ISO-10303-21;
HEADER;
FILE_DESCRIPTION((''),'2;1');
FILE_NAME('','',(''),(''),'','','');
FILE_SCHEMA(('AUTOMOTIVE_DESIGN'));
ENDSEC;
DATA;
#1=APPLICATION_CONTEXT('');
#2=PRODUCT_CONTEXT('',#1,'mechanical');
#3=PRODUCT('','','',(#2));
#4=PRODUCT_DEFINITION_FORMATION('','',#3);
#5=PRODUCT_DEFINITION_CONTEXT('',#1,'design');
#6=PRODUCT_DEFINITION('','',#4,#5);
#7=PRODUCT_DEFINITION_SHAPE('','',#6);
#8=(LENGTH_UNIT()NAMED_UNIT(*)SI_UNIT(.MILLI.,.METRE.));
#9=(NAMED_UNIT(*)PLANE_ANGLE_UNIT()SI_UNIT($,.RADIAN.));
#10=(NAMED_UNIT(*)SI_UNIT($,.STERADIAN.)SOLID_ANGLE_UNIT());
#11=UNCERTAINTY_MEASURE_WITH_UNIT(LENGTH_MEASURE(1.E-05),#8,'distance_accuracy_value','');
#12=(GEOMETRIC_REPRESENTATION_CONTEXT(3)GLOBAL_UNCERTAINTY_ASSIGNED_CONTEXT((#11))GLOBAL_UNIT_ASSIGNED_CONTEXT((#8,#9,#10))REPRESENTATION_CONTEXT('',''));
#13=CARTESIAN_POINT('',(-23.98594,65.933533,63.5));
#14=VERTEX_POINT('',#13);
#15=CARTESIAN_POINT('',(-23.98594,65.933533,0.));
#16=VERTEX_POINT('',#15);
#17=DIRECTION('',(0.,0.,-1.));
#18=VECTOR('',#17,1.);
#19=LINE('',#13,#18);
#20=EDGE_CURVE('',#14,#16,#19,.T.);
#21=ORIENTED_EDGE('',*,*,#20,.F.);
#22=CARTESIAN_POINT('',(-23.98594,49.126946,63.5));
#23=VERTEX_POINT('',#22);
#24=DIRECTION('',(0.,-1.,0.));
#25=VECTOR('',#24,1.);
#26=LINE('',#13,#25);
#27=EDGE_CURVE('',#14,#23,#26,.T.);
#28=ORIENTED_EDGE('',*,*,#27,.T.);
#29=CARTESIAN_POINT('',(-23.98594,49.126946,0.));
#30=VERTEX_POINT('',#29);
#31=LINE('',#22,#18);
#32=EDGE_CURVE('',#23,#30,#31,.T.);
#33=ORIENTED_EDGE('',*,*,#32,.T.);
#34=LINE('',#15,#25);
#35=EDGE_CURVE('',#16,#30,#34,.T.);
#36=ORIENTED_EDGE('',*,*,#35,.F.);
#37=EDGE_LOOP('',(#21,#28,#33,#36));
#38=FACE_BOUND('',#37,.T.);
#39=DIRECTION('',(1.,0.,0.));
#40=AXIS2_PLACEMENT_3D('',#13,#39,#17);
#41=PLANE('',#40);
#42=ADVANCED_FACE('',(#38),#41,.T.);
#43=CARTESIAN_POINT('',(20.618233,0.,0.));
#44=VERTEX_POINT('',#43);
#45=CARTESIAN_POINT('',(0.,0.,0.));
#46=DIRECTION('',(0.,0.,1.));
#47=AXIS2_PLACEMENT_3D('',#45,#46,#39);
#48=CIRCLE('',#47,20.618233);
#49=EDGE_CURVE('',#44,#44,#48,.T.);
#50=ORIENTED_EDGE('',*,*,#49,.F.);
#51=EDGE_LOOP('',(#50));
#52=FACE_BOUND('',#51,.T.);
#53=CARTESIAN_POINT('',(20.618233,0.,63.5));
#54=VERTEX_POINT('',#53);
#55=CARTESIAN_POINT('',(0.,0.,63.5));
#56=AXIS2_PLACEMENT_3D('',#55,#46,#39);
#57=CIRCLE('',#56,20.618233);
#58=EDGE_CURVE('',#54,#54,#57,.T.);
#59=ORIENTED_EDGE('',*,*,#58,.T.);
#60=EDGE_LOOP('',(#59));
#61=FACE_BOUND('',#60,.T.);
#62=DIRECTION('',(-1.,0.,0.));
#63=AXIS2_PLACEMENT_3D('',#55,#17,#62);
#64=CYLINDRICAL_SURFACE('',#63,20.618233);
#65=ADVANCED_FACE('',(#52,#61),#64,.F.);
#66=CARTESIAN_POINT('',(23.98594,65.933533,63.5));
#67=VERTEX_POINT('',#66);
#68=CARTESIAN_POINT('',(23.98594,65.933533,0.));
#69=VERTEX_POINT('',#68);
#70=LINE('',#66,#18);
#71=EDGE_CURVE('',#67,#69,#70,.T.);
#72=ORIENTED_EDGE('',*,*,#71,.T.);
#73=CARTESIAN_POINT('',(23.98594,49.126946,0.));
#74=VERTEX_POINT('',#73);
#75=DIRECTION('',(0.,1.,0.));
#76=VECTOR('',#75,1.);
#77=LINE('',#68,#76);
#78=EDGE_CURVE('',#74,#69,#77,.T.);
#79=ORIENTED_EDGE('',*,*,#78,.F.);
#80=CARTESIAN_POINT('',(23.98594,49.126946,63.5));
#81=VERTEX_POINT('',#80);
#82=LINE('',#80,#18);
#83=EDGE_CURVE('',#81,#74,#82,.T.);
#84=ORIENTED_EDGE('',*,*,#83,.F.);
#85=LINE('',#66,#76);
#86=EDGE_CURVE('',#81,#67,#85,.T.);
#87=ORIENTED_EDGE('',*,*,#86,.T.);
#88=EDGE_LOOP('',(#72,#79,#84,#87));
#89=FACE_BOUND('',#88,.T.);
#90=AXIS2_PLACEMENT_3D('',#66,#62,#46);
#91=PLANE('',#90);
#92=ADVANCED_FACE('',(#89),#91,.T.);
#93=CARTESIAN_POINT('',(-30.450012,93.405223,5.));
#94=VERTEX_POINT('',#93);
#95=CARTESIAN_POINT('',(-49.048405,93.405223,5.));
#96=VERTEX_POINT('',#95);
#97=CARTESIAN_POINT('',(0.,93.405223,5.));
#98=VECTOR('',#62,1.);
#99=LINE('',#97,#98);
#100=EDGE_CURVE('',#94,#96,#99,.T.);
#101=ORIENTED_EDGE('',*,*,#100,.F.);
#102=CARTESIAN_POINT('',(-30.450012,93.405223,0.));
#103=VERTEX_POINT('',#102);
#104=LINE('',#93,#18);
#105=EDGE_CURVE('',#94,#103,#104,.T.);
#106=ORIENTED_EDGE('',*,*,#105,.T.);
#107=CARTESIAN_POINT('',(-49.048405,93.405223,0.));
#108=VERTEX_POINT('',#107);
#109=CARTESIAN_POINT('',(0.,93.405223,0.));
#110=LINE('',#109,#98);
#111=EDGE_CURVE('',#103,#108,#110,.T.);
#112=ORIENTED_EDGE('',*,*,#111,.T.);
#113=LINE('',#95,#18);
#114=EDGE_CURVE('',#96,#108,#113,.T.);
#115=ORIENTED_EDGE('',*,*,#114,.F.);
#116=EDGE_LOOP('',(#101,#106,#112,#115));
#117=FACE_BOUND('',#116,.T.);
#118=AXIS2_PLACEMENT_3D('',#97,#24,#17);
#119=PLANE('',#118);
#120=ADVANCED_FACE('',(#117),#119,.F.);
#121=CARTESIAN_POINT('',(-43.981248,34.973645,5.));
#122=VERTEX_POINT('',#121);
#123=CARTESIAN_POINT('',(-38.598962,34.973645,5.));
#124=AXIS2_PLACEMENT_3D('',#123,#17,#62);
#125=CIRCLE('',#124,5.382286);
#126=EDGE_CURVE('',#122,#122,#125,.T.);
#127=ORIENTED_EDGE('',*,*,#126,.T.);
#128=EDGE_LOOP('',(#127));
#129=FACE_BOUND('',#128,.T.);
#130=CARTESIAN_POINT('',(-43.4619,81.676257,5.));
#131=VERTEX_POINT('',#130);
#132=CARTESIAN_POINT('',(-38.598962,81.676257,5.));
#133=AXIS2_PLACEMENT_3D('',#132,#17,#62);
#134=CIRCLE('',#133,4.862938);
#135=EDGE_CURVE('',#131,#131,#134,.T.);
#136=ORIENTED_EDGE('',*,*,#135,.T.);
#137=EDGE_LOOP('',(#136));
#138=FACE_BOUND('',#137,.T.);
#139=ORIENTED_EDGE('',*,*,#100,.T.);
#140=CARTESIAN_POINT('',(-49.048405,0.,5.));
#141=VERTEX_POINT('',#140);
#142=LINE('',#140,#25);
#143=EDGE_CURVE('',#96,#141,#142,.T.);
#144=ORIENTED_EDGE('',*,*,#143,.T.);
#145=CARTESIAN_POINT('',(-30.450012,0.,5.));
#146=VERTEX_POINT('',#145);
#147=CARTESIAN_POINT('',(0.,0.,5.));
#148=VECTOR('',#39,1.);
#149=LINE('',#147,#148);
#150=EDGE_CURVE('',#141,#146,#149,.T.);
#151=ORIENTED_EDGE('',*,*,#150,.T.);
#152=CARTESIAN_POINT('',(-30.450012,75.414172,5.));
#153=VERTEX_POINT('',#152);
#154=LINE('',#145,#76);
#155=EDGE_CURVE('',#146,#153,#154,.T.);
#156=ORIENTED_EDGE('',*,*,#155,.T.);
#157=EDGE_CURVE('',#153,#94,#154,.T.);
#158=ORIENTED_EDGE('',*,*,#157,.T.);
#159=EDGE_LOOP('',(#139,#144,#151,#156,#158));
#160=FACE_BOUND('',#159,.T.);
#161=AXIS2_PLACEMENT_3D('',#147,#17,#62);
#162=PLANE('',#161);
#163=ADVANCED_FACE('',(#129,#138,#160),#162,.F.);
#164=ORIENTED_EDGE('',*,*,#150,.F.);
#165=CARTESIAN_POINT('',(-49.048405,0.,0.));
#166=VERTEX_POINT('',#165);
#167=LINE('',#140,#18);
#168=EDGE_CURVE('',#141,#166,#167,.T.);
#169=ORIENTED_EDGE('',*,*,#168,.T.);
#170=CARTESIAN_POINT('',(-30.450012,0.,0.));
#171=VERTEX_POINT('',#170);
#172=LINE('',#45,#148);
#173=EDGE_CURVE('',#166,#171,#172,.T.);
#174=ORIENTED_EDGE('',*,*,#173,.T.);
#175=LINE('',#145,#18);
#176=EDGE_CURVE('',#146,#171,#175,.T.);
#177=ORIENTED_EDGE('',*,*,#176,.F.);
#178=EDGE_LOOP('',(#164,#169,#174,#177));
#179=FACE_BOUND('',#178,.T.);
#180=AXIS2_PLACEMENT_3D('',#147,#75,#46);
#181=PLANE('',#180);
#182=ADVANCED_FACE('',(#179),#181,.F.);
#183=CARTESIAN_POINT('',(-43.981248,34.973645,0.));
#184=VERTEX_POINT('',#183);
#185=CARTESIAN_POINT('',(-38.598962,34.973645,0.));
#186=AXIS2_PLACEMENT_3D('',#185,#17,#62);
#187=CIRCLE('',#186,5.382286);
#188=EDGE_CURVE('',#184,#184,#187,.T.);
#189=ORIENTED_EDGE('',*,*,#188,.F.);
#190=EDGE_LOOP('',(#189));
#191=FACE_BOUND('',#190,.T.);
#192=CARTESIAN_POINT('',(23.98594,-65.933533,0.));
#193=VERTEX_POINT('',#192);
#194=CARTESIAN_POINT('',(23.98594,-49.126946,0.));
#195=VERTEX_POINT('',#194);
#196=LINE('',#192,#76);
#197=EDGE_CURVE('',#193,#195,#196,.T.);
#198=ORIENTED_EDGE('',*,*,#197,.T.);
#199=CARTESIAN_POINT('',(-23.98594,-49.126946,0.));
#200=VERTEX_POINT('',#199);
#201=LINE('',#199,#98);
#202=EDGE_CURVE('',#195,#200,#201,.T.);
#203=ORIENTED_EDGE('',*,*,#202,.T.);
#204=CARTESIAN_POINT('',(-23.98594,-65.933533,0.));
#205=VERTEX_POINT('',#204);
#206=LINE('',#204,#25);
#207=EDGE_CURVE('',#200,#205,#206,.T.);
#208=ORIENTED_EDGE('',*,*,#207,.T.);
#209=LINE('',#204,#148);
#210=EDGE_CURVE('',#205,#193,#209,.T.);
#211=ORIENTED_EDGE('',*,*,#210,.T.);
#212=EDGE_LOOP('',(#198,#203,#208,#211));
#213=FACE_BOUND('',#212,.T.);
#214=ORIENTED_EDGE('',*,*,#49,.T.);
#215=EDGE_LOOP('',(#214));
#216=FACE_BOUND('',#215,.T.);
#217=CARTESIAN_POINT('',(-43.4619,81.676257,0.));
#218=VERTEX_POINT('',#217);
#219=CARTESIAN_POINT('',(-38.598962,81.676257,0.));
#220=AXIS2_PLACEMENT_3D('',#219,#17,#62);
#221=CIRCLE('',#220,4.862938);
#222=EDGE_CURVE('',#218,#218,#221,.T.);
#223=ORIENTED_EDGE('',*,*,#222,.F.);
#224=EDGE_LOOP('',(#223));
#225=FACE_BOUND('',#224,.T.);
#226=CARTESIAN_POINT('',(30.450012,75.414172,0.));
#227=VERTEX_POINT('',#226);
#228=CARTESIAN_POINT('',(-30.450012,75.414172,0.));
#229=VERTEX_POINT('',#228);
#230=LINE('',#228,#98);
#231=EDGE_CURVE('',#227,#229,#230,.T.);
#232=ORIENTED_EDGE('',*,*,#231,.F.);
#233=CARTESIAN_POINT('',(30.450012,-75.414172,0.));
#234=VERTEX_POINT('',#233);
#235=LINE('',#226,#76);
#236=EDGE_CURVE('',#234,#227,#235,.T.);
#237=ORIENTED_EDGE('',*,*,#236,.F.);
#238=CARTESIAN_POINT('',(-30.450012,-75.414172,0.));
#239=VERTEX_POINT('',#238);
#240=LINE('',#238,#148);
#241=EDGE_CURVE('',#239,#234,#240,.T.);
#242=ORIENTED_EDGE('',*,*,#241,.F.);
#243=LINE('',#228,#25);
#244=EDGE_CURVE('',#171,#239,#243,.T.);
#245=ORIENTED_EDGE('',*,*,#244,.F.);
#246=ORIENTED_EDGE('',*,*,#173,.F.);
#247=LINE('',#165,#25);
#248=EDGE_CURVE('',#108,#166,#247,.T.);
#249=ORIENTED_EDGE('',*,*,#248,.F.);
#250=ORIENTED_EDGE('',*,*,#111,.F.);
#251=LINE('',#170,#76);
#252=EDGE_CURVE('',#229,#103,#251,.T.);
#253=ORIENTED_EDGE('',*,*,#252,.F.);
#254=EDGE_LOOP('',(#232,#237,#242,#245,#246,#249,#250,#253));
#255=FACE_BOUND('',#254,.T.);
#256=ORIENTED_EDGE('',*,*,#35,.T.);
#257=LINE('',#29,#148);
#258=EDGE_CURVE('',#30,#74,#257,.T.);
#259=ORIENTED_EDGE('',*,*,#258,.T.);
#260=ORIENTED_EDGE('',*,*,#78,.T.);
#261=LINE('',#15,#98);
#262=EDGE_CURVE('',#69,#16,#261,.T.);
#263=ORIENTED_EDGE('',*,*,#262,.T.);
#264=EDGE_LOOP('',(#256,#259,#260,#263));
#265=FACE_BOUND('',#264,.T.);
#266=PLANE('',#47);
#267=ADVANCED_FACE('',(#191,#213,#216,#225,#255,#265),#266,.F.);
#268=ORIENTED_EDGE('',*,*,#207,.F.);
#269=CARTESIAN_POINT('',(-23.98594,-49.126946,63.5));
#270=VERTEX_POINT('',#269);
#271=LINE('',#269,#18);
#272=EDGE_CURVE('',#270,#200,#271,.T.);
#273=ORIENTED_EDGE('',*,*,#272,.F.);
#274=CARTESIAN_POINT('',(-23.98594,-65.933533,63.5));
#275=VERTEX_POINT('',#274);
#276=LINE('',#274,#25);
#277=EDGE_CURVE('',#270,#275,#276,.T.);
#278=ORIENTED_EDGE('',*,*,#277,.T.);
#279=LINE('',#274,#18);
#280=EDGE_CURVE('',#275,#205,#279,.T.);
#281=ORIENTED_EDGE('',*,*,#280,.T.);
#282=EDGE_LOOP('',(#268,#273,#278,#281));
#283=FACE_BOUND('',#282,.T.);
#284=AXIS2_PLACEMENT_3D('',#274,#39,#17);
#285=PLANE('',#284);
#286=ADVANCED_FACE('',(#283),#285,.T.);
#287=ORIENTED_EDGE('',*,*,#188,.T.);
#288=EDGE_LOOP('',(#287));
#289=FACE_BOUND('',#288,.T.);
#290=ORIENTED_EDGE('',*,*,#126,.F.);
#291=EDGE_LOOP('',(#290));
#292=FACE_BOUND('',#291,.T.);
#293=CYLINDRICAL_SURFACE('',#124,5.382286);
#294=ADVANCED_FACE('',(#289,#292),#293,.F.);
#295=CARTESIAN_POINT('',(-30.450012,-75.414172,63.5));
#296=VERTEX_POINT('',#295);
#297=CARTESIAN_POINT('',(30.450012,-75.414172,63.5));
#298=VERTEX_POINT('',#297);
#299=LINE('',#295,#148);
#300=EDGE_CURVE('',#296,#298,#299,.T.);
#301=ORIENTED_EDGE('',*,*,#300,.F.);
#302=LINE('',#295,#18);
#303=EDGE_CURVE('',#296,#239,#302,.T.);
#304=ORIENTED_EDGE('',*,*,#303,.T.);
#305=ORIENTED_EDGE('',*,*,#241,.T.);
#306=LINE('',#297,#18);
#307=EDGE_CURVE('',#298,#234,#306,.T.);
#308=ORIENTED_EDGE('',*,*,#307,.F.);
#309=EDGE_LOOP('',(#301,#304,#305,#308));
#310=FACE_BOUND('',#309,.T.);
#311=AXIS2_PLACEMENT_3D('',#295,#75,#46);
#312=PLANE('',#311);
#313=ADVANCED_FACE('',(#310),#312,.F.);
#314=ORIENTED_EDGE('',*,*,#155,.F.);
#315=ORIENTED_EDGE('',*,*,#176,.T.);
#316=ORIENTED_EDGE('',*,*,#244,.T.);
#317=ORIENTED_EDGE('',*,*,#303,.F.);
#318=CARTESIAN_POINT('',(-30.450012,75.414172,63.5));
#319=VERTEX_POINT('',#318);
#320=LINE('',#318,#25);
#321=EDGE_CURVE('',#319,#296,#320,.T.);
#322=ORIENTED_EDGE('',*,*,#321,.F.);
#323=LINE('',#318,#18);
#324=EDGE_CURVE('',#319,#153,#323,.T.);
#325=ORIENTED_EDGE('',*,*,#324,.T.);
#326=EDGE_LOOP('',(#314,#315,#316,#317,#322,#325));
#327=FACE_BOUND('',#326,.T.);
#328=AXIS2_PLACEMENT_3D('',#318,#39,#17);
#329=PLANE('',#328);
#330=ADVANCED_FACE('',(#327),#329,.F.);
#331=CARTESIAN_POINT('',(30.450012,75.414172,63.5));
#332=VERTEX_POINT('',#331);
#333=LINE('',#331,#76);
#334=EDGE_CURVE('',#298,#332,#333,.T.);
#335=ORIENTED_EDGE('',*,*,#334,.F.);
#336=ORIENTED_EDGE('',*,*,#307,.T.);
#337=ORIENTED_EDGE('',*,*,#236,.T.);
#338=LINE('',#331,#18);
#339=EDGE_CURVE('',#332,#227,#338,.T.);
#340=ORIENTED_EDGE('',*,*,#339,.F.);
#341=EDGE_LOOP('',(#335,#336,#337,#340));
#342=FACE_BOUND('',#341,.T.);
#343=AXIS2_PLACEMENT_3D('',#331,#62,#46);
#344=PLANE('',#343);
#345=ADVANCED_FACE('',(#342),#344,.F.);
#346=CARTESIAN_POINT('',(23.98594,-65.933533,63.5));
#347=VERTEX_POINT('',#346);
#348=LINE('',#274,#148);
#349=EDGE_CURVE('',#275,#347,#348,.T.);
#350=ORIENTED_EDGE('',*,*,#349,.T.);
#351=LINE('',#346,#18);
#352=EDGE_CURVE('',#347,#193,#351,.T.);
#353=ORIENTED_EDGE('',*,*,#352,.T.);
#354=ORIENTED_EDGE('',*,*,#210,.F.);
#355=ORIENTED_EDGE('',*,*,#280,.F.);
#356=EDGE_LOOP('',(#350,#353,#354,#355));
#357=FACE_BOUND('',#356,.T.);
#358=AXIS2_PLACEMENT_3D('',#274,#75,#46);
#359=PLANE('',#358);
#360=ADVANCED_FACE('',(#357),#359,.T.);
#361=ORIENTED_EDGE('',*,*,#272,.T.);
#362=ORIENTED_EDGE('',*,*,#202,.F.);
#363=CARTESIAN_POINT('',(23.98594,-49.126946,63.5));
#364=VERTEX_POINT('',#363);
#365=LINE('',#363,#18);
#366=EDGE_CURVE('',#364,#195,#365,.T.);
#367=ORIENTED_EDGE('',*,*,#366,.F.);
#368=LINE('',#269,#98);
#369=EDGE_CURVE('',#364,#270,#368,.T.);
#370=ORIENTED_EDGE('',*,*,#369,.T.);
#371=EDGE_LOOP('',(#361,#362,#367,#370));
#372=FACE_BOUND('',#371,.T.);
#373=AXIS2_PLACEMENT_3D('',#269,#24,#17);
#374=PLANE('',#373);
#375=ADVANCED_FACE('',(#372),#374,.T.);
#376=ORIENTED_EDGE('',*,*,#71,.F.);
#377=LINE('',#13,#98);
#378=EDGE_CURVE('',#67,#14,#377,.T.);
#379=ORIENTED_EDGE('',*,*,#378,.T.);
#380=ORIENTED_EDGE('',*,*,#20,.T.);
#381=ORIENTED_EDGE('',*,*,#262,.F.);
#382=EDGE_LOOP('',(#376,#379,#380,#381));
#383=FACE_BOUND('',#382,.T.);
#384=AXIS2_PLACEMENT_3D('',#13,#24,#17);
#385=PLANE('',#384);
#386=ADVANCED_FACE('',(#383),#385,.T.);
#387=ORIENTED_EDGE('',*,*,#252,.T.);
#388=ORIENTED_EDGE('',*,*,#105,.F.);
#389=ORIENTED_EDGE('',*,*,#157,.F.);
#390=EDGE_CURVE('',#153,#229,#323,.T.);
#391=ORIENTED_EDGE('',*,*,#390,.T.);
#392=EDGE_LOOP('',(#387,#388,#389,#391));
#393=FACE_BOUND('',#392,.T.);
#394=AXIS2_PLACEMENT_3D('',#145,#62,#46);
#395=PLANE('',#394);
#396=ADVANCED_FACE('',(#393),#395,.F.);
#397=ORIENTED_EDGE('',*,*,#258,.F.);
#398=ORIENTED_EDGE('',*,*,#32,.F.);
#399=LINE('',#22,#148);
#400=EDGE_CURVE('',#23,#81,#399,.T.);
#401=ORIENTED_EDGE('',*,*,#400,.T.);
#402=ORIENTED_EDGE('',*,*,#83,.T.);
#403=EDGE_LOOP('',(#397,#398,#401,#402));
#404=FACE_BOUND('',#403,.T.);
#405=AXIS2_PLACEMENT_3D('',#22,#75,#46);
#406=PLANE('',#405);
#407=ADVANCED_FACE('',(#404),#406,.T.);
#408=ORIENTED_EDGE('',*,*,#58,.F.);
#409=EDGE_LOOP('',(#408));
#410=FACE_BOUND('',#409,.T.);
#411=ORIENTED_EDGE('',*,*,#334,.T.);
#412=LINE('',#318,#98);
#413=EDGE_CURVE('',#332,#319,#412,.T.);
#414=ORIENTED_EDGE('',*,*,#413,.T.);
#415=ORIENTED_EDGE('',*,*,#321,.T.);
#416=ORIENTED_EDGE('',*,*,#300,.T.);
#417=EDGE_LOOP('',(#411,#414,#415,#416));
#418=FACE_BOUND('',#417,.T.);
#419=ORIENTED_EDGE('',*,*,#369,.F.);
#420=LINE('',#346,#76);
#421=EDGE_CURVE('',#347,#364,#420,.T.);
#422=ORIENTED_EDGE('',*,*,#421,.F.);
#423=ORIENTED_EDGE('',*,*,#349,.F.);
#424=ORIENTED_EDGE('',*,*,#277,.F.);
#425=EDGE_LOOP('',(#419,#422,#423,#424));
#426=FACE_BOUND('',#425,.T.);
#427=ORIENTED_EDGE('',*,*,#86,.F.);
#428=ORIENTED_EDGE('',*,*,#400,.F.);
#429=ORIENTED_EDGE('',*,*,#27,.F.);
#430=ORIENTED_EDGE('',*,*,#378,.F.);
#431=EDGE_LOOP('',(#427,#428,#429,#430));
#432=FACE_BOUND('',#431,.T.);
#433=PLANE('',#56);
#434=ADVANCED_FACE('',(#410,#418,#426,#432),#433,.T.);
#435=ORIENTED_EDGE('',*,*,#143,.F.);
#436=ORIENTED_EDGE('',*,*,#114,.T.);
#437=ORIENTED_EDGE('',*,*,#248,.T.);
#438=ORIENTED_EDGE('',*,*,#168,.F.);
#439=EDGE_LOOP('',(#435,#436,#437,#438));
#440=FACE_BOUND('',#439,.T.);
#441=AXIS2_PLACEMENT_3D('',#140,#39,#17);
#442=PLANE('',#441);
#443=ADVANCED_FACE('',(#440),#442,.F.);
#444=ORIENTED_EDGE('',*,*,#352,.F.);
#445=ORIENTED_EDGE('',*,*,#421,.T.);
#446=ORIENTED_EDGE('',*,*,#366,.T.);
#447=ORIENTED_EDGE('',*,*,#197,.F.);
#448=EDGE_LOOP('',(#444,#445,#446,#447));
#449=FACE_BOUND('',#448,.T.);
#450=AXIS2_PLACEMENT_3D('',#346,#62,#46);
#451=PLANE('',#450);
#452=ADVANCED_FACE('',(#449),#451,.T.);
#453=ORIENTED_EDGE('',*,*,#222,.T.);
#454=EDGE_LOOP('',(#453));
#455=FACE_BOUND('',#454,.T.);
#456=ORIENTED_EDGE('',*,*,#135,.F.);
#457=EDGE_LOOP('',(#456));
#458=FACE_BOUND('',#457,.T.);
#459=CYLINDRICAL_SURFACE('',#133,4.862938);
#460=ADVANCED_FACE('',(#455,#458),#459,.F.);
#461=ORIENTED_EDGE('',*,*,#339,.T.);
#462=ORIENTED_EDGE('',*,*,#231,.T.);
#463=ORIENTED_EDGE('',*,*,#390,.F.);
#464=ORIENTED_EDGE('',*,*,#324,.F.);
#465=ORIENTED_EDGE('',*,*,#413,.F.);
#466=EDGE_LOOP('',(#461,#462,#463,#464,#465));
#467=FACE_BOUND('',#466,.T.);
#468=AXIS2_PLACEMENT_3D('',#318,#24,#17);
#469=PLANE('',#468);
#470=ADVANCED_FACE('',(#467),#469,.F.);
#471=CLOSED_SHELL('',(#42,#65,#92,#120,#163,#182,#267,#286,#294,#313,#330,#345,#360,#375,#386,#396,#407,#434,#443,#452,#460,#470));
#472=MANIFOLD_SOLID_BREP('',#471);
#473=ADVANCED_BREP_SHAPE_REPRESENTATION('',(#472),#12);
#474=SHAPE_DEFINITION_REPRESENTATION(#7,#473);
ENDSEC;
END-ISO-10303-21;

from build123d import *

# Parameters (mm, degrees)
SKETCH1_W           = 60.900023998
SKETCH1_H           = 150.828343314
SKETCH1_R           = 20.618232522
SKETCH1_W_2         = 47.971880286
SKETCH1_H_2         = 16.806586826
BOSS_EXTRUDE1_DEPTH = 63.5
SKETCH2_R           = 5.382285962
SKETCH2_R_2         = 4.862937902
BOSS_EXTRUDE2_DEPTH = 5


with BuildPart() as part:
    # Sketch1 → Boss-Extrude1 (new body)
    with BuildSketch(Plane.XY):
        Rectangle(SKETCH1_W, SKETCH1_H)
        Circle(SKETCH1_R, mode=Mode.SUBTRACT)
        with Locations((0, -57.530239521)):
            Rectangle(SKETCH1_W_2, SKETCH1_H_2, mode=Mode.SUBTRACT)
        with Locations((0, 57.530239521)):
            Rectangle(SKETCH1_W_2, SKETCH1_H_2, mode=Mode.SUBTRACT)
    extrude(amount=BOSS_EXTRUDE1_DEPTH)

    # Sketch2 → Boss-Extrude2 (add)
    with BuildSketch(Plane(origin=(0, 0, 0), x_dir=(-1, 0, 0), z_dir=(0, 0, -1))):
        Polygon((30.450011999, 93.405223195), (30.450011999, 75.414171657), (30.450011999, 0), (49.048404874, 0), (49.048404874, 93.405223195), align=None)
        with Locations((38.598962097, 34.973645215)):
            Circle(SKETCH2_R, mode=Mode.SUBTRACT)
        with Locations((38.598962097, 81.676256812)):
            Circle(SKETCH2_R_2, mode=Mode.SUBTRACT)
    extrude(amount=-BOSS_EXTRUDE2_DEPTH)


solid = part.part
